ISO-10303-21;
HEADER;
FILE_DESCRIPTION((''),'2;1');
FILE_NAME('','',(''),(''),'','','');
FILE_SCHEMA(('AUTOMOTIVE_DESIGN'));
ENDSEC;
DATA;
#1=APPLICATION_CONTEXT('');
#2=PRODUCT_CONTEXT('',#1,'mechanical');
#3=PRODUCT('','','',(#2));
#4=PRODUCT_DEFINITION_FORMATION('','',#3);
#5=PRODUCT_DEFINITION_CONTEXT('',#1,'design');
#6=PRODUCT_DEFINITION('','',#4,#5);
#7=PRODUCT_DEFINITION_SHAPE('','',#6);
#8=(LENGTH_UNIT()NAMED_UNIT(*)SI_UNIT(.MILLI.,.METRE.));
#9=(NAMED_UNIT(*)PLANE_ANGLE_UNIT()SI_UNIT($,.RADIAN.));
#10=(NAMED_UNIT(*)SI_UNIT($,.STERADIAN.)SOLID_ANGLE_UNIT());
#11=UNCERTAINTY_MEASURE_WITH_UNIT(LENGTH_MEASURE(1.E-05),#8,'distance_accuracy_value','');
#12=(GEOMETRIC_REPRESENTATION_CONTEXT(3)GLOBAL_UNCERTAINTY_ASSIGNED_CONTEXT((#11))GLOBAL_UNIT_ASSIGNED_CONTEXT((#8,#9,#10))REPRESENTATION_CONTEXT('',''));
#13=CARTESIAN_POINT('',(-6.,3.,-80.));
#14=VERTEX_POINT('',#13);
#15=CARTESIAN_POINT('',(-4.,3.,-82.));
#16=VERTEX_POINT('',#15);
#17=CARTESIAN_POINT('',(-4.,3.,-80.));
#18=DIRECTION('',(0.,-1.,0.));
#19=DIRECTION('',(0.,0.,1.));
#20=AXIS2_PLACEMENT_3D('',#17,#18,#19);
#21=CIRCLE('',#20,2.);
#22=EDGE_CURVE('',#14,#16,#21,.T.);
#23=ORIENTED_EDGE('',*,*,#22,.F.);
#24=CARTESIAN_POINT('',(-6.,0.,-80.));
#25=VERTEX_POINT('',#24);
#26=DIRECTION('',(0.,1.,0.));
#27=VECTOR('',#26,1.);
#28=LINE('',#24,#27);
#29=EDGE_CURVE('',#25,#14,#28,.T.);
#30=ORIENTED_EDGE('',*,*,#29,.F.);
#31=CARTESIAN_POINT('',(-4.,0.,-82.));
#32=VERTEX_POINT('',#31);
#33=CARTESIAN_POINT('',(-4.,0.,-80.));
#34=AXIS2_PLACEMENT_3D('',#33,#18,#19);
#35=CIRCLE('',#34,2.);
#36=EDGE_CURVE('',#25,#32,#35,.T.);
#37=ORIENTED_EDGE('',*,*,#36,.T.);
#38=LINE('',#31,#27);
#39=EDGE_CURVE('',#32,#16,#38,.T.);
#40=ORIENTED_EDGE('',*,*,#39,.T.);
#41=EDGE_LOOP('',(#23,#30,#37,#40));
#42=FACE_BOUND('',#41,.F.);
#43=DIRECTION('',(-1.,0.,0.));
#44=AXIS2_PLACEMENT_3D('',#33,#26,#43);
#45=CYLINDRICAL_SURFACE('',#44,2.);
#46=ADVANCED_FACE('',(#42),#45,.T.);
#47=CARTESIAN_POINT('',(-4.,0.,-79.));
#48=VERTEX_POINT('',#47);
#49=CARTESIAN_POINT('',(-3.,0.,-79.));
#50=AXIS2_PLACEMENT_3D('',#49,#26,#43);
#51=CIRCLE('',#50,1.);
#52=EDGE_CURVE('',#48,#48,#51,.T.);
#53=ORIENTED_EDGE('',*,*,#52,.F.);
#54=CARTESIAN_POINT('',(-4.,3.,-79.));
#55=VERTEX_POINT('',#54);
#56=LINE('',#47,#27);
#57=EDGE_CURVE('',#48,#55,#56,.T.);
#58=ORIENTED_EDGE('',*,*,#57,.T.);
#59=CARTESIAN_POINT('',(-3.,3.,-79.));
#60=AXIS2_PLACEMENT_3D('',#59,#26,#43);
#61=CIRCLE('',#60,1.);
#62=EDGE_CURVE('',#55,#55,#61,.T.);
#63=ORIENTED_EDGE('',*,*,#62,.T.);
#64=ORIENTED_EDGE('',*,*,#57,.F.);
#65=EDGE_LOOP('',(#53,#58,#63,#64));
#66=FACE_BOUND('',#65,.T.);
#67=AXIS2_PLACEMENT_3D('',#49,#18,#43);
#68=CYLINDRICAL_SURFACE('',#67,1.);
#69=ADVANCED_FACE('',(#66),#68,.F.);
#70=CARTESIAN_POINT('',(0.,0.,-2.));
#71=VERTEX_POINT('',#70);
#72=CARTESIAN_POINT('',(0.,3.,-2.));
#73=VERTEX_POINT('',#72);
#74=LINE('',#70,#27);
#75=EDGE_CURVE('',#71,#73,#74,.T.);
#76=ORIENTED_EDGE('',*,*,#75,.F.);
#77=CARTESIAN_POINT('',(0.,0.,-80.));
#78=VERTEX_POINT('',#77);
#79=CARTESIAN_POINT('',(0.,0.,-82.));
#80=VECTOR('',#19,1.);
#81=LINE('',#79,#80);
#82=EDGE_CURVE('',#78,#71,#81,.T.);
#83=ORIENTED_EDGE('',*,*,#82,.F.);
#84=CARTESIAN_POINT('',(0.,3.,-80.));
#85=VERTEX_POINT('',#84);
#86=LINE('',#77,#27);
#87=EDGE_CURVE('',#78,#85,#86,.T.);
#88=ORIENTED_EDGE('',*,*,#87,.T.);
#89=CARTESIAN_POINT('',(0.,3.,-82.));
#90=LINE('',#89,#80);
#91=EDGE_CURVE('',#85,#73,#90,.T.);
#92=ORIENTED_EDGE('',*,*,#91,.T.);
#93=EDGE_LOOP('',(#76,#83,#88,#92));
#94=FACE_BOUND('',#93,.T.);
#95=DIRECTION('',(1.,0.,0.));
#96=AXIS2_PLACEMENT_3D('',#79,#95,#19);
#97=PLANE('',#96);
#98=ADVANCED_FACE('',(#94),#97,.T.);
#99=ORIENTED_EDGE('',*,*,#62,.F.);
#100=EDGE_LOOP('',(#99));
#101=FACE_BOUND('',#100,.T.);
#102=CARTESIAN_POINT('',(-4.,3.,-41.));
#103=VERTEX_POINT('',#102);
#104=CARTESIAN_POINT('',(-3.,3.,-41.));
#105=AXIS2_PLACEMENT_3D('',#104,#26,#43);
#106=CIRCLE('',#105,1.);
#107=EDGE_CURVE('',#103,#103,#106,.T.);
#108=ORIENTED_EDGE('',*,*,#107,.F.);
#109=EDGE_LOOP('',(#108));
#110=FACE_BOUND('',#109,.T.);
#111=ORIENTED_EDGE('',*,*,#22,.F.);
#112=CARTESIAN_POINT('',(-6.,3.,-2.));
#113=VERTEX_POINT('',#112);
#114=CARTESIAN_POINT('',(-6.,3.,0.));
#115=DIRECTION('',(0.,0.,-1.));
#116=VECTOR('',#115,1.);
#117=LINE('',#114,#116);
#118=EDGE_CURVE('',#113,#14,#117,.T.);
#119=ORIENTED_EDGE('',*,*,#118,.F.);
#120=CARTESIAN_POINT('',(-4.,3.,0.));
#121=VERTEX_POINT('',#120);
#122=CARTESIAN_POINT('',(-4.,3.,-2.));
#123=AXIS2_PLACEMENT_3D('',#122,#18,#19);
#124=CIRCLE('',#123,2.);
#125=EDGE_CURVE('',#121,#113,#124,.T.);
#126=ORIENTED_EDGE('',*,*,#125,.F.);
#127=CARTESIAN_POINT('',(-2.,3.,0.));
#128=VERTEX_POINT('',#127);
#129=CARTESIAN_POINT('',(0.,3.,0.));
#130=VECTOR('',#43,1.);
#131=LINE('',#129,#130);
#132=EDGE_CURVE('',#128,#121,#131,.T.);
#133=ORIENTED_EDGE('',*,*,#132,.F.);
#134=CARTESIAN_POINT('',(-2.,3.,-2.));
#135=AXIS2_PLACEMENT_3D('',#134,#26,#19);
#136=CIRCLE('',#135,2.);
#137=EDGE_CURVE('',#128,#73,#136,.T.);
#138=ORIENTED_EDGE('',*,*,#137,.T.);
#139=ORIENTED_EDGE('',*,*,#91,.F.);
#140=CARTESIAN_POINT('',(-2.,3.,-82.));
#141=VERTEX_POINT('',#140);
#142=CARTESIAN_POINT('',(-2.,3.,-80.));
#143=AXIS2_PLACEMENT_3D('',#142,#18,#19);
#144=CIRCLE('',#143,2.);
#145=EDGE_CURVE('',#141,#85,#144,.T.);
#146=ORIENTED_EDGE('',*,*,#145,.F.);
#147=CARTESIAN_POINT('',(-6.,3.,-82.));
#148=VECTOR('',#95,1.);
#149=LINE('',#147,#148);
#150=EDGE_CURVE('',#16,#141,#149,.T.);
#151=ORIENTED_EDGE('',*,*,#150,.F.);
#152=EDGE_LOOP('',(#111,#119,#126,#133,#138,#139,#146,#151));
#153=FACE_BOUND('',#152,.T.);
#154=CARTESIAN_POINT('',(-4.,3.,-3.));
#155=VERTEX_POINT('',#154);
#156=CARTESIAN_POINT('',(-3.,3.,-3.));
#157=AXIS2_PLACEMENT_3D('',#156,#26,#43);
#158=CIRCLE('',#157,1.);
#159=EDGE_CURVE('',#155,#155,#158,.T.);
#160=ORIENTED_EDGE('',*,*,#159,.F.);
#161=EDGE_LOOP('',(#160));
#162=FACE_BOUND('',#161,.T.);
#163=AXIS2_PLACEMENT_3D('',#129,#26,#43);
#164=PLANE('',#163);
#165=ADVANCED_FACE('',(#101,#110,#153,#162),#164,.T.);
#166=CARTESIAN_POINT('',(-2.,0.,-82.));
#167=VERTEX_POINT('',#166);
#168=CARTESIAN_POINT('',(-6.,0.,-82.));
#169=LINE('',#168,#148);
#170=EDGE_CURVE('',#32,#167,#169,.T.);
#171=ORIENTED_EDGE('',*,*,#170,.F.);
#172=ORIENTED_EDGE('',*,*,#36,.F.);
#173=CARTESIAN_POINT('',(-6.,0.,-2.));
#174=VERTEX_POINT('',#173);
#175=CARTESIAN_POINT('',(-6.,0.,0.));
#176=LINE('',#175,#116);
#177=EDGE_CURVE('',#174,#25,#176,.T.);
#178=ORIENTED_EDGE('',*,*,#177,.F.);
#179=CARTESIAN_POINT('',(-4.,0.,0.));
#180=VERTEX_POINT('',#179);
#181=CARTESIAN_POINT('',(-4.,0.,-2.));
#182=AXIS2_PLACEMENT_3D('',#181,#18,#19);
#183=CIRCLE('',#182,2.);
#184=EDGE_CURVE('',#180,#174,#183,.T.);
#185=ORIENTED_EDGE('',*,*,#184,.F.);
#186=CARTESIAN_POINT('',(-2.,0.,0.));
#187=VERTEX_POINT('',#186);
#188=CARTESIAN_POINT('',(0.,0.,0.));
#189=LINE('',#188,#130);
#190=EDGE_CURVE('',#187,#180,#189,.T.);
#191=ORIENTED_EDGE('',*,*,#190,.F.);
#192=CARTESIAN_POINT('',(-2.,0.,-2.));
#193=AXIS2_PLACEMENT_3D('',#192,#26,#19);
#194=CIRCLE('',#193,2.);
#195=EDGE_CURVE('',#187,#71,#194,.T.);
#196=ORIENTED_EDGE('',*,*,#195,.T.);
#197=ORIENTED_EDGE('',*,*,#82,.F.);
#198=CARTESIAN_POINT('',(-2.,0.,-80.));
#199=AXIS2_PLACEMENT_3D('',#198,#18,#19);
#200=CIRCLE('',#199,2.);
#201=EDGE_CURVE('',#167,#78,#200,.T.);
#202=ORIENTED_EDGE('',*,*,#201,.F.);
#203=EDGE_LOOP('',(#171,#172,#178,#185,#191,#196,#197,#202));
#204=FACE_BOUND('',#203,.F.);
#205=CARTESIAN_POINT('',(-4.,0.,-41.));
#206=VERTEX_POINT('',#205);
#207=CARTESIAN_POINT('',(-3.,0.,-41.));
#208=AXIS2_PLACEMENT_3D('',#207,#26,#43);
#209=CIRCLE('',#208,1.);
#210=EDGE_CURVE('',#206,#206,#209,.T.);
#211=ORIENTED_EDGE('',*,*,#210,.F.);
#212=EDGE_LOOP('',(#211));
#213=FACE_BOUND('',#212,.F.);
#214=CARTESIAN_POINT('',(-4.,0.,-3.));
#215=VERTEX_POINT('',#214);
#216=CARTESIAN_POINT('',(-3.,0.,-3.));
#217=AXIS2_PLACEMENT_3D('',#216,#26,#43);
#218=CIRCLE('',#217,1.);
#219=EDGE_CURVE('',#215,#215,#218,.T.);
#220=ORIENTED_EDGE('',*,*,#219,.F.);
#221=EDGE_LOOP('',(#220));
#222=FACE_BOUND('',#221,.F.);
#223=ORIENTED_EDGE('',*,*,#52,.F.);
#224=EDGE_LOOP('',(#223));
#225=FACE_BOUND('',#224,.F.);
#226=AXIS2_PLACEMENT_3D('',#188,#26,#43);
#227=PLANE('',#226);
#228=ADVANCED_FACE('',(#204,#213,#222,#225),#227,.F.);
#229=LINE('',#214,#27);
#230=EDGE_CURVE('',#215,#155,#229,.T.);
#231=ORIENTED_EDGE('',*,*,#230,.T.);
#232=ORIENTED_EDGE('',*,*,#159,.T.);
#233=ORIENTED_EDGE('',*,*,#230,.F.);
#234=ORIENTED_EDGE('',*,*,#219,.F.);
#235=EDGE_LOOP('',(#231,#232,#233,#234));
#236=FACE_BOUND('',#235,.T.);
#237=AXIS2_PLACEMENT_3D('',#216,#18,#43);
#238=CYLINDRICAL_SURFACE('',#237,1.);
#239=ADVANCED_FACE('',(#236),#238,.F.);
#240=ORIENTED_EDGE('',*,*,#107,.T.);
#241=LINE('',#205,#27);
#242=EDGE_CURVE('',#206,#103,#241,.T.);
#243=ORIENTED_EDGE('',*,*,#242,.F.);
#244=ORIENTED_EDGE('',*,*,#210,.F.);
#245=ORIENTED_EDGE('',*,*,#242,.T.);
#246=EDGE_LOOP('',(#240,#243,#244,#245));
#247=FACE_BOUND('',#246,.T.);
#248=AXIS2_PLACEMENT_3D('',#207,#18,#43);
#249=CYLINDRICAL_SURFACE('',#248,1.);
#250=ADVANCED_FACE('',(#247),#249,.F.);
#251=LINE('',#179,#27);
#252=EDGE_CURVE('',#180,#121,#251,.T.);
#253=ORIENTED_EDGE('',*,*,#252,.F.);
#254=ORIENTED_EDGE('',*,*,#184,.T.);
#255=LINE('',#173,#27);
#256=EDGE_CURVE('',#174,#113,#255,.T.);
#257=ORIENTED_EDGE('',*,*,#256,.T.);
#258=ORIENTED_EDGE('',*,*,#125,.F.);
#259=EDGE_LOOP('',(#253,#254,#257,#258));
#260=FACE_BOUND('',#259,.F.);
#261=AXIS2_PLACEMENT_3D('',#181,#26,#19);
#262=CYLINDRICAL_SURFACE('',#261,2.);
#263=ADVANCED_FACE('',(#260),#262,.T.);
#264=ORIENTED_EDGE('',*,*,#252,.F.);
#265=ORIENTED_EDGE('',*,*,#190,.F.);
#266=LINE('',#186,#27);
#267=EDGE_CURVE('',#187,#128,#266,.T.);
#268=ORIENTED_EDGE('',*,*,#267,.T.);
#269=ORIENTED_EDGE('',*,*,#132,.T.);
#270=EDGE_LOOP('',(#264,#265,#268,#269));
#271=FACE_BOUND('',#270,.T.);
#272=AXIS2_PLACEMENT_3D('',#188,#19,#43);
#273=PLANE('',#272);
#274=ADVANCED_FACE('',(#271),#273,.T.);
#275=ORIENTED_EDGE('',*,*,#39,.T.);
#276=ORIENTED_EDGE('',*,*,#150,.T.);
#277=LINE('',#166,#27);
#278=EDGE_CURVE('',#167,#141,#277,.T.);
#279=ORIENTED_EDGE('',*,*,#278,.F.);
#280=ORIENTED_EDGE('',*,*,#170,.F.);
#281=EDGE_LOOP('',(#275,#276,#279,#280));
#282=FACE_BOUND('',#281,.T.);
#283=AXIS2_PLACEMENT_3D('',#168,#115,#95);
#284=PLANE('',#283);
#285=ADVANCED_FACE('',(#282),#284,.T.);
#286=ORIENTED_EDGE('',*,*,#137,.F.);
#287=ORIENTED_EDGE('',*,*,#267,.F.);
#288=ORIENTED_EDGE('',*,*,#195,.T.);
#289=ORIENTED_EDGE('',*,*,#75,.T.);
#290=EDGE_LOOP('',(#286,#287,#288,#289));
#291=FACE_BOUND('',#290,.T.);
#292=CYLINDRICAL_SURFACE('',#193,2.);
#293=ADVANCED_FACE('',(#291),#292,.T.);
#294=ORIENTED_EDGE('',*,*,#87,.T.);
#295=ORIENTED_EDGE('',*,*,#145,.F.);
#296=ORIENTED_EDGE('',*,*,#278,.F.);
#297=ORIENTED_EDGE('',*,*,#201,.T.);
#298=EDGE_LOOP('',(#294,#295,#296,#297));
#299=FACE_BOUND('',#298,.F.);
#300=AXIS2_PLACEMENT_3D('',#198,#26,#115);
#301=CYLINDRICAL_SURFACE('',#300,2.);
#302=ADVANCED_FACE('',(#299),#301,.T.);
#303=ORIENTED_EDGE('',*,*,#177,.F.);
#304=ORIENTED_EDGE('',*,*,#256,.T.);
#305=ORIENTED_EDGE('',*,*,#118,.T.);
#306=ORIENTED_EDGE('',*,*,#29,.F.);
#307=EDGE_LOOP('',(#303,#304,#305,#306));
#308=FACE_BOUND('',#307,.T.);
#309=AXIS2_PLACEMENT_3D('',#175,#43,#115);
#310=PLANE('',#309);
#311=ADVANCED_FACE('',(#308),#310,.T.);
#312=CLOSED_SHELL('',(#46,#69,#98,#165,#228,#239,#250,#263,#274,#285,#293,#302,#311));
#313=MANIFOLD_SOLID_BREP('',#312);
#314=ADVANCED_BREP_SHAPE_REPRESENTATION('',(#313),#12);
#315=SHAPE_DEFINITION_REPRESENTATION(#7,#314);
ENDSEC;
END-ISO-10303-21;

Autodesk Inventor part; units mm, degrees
ref_plane "YZ Plane" through (0, 0, 0) normal (1, 0, 0) x (0, 1, 0)
ref_plane "XZ Plane" through (0, 0, 0) normal (0, 1, 0) x (-1, 0, 0)
ref_plane "XY Plane" through (0, 0, 0) normal (0, 0, 1) x (1, 0, 0)
sketch "Sketch1" plane through (0, 0, 0) normal (0, 1, 0) x (-1, 0, 0)
  line L0 (0, 0) -> (6, 0)
  line L1 (6, 0) -> (6, -82)
  line L2 (6, -82) -> (0, -82)
  line L3 (0, -82) -> (0, 0)
  circle A0 centre (3, -3) radius 1
  circle A1 centre (3, -79) radius 1
  circle A2 centre (3, -41) radius 1
  point P0 (3, 0)
  point P1 (6, -41)
  dimension "d0" = 6
  dimension "d1" = 82
  dimension "d2" = 2
  dimension "d3" = 2
  dimension "d4" = 76
  dimension "d5" = 3
  dimension "d6" = 3
  dimension "d7" = 3
  dimension "d11" = 2
  dimension "d12" = 3
  dimension "d13" = 41
extrude "Extrusion1" add sketch "Sketch1" along normal blind 3
fillet "Fillet1" radius 2 4 edges at (0, 1.5, 0) (-6, 1.5, 0) (0, 1.5, -82) (-6, 1.5, -82)
equation "\"d6\" = 0.5 * d0"
equation "\"d7\" = d6"
equation "\"d12\" = 0.5 * d0"
equation "\"d13\" = 0.5 * d1"
properties part number "Steering_Linkage"
